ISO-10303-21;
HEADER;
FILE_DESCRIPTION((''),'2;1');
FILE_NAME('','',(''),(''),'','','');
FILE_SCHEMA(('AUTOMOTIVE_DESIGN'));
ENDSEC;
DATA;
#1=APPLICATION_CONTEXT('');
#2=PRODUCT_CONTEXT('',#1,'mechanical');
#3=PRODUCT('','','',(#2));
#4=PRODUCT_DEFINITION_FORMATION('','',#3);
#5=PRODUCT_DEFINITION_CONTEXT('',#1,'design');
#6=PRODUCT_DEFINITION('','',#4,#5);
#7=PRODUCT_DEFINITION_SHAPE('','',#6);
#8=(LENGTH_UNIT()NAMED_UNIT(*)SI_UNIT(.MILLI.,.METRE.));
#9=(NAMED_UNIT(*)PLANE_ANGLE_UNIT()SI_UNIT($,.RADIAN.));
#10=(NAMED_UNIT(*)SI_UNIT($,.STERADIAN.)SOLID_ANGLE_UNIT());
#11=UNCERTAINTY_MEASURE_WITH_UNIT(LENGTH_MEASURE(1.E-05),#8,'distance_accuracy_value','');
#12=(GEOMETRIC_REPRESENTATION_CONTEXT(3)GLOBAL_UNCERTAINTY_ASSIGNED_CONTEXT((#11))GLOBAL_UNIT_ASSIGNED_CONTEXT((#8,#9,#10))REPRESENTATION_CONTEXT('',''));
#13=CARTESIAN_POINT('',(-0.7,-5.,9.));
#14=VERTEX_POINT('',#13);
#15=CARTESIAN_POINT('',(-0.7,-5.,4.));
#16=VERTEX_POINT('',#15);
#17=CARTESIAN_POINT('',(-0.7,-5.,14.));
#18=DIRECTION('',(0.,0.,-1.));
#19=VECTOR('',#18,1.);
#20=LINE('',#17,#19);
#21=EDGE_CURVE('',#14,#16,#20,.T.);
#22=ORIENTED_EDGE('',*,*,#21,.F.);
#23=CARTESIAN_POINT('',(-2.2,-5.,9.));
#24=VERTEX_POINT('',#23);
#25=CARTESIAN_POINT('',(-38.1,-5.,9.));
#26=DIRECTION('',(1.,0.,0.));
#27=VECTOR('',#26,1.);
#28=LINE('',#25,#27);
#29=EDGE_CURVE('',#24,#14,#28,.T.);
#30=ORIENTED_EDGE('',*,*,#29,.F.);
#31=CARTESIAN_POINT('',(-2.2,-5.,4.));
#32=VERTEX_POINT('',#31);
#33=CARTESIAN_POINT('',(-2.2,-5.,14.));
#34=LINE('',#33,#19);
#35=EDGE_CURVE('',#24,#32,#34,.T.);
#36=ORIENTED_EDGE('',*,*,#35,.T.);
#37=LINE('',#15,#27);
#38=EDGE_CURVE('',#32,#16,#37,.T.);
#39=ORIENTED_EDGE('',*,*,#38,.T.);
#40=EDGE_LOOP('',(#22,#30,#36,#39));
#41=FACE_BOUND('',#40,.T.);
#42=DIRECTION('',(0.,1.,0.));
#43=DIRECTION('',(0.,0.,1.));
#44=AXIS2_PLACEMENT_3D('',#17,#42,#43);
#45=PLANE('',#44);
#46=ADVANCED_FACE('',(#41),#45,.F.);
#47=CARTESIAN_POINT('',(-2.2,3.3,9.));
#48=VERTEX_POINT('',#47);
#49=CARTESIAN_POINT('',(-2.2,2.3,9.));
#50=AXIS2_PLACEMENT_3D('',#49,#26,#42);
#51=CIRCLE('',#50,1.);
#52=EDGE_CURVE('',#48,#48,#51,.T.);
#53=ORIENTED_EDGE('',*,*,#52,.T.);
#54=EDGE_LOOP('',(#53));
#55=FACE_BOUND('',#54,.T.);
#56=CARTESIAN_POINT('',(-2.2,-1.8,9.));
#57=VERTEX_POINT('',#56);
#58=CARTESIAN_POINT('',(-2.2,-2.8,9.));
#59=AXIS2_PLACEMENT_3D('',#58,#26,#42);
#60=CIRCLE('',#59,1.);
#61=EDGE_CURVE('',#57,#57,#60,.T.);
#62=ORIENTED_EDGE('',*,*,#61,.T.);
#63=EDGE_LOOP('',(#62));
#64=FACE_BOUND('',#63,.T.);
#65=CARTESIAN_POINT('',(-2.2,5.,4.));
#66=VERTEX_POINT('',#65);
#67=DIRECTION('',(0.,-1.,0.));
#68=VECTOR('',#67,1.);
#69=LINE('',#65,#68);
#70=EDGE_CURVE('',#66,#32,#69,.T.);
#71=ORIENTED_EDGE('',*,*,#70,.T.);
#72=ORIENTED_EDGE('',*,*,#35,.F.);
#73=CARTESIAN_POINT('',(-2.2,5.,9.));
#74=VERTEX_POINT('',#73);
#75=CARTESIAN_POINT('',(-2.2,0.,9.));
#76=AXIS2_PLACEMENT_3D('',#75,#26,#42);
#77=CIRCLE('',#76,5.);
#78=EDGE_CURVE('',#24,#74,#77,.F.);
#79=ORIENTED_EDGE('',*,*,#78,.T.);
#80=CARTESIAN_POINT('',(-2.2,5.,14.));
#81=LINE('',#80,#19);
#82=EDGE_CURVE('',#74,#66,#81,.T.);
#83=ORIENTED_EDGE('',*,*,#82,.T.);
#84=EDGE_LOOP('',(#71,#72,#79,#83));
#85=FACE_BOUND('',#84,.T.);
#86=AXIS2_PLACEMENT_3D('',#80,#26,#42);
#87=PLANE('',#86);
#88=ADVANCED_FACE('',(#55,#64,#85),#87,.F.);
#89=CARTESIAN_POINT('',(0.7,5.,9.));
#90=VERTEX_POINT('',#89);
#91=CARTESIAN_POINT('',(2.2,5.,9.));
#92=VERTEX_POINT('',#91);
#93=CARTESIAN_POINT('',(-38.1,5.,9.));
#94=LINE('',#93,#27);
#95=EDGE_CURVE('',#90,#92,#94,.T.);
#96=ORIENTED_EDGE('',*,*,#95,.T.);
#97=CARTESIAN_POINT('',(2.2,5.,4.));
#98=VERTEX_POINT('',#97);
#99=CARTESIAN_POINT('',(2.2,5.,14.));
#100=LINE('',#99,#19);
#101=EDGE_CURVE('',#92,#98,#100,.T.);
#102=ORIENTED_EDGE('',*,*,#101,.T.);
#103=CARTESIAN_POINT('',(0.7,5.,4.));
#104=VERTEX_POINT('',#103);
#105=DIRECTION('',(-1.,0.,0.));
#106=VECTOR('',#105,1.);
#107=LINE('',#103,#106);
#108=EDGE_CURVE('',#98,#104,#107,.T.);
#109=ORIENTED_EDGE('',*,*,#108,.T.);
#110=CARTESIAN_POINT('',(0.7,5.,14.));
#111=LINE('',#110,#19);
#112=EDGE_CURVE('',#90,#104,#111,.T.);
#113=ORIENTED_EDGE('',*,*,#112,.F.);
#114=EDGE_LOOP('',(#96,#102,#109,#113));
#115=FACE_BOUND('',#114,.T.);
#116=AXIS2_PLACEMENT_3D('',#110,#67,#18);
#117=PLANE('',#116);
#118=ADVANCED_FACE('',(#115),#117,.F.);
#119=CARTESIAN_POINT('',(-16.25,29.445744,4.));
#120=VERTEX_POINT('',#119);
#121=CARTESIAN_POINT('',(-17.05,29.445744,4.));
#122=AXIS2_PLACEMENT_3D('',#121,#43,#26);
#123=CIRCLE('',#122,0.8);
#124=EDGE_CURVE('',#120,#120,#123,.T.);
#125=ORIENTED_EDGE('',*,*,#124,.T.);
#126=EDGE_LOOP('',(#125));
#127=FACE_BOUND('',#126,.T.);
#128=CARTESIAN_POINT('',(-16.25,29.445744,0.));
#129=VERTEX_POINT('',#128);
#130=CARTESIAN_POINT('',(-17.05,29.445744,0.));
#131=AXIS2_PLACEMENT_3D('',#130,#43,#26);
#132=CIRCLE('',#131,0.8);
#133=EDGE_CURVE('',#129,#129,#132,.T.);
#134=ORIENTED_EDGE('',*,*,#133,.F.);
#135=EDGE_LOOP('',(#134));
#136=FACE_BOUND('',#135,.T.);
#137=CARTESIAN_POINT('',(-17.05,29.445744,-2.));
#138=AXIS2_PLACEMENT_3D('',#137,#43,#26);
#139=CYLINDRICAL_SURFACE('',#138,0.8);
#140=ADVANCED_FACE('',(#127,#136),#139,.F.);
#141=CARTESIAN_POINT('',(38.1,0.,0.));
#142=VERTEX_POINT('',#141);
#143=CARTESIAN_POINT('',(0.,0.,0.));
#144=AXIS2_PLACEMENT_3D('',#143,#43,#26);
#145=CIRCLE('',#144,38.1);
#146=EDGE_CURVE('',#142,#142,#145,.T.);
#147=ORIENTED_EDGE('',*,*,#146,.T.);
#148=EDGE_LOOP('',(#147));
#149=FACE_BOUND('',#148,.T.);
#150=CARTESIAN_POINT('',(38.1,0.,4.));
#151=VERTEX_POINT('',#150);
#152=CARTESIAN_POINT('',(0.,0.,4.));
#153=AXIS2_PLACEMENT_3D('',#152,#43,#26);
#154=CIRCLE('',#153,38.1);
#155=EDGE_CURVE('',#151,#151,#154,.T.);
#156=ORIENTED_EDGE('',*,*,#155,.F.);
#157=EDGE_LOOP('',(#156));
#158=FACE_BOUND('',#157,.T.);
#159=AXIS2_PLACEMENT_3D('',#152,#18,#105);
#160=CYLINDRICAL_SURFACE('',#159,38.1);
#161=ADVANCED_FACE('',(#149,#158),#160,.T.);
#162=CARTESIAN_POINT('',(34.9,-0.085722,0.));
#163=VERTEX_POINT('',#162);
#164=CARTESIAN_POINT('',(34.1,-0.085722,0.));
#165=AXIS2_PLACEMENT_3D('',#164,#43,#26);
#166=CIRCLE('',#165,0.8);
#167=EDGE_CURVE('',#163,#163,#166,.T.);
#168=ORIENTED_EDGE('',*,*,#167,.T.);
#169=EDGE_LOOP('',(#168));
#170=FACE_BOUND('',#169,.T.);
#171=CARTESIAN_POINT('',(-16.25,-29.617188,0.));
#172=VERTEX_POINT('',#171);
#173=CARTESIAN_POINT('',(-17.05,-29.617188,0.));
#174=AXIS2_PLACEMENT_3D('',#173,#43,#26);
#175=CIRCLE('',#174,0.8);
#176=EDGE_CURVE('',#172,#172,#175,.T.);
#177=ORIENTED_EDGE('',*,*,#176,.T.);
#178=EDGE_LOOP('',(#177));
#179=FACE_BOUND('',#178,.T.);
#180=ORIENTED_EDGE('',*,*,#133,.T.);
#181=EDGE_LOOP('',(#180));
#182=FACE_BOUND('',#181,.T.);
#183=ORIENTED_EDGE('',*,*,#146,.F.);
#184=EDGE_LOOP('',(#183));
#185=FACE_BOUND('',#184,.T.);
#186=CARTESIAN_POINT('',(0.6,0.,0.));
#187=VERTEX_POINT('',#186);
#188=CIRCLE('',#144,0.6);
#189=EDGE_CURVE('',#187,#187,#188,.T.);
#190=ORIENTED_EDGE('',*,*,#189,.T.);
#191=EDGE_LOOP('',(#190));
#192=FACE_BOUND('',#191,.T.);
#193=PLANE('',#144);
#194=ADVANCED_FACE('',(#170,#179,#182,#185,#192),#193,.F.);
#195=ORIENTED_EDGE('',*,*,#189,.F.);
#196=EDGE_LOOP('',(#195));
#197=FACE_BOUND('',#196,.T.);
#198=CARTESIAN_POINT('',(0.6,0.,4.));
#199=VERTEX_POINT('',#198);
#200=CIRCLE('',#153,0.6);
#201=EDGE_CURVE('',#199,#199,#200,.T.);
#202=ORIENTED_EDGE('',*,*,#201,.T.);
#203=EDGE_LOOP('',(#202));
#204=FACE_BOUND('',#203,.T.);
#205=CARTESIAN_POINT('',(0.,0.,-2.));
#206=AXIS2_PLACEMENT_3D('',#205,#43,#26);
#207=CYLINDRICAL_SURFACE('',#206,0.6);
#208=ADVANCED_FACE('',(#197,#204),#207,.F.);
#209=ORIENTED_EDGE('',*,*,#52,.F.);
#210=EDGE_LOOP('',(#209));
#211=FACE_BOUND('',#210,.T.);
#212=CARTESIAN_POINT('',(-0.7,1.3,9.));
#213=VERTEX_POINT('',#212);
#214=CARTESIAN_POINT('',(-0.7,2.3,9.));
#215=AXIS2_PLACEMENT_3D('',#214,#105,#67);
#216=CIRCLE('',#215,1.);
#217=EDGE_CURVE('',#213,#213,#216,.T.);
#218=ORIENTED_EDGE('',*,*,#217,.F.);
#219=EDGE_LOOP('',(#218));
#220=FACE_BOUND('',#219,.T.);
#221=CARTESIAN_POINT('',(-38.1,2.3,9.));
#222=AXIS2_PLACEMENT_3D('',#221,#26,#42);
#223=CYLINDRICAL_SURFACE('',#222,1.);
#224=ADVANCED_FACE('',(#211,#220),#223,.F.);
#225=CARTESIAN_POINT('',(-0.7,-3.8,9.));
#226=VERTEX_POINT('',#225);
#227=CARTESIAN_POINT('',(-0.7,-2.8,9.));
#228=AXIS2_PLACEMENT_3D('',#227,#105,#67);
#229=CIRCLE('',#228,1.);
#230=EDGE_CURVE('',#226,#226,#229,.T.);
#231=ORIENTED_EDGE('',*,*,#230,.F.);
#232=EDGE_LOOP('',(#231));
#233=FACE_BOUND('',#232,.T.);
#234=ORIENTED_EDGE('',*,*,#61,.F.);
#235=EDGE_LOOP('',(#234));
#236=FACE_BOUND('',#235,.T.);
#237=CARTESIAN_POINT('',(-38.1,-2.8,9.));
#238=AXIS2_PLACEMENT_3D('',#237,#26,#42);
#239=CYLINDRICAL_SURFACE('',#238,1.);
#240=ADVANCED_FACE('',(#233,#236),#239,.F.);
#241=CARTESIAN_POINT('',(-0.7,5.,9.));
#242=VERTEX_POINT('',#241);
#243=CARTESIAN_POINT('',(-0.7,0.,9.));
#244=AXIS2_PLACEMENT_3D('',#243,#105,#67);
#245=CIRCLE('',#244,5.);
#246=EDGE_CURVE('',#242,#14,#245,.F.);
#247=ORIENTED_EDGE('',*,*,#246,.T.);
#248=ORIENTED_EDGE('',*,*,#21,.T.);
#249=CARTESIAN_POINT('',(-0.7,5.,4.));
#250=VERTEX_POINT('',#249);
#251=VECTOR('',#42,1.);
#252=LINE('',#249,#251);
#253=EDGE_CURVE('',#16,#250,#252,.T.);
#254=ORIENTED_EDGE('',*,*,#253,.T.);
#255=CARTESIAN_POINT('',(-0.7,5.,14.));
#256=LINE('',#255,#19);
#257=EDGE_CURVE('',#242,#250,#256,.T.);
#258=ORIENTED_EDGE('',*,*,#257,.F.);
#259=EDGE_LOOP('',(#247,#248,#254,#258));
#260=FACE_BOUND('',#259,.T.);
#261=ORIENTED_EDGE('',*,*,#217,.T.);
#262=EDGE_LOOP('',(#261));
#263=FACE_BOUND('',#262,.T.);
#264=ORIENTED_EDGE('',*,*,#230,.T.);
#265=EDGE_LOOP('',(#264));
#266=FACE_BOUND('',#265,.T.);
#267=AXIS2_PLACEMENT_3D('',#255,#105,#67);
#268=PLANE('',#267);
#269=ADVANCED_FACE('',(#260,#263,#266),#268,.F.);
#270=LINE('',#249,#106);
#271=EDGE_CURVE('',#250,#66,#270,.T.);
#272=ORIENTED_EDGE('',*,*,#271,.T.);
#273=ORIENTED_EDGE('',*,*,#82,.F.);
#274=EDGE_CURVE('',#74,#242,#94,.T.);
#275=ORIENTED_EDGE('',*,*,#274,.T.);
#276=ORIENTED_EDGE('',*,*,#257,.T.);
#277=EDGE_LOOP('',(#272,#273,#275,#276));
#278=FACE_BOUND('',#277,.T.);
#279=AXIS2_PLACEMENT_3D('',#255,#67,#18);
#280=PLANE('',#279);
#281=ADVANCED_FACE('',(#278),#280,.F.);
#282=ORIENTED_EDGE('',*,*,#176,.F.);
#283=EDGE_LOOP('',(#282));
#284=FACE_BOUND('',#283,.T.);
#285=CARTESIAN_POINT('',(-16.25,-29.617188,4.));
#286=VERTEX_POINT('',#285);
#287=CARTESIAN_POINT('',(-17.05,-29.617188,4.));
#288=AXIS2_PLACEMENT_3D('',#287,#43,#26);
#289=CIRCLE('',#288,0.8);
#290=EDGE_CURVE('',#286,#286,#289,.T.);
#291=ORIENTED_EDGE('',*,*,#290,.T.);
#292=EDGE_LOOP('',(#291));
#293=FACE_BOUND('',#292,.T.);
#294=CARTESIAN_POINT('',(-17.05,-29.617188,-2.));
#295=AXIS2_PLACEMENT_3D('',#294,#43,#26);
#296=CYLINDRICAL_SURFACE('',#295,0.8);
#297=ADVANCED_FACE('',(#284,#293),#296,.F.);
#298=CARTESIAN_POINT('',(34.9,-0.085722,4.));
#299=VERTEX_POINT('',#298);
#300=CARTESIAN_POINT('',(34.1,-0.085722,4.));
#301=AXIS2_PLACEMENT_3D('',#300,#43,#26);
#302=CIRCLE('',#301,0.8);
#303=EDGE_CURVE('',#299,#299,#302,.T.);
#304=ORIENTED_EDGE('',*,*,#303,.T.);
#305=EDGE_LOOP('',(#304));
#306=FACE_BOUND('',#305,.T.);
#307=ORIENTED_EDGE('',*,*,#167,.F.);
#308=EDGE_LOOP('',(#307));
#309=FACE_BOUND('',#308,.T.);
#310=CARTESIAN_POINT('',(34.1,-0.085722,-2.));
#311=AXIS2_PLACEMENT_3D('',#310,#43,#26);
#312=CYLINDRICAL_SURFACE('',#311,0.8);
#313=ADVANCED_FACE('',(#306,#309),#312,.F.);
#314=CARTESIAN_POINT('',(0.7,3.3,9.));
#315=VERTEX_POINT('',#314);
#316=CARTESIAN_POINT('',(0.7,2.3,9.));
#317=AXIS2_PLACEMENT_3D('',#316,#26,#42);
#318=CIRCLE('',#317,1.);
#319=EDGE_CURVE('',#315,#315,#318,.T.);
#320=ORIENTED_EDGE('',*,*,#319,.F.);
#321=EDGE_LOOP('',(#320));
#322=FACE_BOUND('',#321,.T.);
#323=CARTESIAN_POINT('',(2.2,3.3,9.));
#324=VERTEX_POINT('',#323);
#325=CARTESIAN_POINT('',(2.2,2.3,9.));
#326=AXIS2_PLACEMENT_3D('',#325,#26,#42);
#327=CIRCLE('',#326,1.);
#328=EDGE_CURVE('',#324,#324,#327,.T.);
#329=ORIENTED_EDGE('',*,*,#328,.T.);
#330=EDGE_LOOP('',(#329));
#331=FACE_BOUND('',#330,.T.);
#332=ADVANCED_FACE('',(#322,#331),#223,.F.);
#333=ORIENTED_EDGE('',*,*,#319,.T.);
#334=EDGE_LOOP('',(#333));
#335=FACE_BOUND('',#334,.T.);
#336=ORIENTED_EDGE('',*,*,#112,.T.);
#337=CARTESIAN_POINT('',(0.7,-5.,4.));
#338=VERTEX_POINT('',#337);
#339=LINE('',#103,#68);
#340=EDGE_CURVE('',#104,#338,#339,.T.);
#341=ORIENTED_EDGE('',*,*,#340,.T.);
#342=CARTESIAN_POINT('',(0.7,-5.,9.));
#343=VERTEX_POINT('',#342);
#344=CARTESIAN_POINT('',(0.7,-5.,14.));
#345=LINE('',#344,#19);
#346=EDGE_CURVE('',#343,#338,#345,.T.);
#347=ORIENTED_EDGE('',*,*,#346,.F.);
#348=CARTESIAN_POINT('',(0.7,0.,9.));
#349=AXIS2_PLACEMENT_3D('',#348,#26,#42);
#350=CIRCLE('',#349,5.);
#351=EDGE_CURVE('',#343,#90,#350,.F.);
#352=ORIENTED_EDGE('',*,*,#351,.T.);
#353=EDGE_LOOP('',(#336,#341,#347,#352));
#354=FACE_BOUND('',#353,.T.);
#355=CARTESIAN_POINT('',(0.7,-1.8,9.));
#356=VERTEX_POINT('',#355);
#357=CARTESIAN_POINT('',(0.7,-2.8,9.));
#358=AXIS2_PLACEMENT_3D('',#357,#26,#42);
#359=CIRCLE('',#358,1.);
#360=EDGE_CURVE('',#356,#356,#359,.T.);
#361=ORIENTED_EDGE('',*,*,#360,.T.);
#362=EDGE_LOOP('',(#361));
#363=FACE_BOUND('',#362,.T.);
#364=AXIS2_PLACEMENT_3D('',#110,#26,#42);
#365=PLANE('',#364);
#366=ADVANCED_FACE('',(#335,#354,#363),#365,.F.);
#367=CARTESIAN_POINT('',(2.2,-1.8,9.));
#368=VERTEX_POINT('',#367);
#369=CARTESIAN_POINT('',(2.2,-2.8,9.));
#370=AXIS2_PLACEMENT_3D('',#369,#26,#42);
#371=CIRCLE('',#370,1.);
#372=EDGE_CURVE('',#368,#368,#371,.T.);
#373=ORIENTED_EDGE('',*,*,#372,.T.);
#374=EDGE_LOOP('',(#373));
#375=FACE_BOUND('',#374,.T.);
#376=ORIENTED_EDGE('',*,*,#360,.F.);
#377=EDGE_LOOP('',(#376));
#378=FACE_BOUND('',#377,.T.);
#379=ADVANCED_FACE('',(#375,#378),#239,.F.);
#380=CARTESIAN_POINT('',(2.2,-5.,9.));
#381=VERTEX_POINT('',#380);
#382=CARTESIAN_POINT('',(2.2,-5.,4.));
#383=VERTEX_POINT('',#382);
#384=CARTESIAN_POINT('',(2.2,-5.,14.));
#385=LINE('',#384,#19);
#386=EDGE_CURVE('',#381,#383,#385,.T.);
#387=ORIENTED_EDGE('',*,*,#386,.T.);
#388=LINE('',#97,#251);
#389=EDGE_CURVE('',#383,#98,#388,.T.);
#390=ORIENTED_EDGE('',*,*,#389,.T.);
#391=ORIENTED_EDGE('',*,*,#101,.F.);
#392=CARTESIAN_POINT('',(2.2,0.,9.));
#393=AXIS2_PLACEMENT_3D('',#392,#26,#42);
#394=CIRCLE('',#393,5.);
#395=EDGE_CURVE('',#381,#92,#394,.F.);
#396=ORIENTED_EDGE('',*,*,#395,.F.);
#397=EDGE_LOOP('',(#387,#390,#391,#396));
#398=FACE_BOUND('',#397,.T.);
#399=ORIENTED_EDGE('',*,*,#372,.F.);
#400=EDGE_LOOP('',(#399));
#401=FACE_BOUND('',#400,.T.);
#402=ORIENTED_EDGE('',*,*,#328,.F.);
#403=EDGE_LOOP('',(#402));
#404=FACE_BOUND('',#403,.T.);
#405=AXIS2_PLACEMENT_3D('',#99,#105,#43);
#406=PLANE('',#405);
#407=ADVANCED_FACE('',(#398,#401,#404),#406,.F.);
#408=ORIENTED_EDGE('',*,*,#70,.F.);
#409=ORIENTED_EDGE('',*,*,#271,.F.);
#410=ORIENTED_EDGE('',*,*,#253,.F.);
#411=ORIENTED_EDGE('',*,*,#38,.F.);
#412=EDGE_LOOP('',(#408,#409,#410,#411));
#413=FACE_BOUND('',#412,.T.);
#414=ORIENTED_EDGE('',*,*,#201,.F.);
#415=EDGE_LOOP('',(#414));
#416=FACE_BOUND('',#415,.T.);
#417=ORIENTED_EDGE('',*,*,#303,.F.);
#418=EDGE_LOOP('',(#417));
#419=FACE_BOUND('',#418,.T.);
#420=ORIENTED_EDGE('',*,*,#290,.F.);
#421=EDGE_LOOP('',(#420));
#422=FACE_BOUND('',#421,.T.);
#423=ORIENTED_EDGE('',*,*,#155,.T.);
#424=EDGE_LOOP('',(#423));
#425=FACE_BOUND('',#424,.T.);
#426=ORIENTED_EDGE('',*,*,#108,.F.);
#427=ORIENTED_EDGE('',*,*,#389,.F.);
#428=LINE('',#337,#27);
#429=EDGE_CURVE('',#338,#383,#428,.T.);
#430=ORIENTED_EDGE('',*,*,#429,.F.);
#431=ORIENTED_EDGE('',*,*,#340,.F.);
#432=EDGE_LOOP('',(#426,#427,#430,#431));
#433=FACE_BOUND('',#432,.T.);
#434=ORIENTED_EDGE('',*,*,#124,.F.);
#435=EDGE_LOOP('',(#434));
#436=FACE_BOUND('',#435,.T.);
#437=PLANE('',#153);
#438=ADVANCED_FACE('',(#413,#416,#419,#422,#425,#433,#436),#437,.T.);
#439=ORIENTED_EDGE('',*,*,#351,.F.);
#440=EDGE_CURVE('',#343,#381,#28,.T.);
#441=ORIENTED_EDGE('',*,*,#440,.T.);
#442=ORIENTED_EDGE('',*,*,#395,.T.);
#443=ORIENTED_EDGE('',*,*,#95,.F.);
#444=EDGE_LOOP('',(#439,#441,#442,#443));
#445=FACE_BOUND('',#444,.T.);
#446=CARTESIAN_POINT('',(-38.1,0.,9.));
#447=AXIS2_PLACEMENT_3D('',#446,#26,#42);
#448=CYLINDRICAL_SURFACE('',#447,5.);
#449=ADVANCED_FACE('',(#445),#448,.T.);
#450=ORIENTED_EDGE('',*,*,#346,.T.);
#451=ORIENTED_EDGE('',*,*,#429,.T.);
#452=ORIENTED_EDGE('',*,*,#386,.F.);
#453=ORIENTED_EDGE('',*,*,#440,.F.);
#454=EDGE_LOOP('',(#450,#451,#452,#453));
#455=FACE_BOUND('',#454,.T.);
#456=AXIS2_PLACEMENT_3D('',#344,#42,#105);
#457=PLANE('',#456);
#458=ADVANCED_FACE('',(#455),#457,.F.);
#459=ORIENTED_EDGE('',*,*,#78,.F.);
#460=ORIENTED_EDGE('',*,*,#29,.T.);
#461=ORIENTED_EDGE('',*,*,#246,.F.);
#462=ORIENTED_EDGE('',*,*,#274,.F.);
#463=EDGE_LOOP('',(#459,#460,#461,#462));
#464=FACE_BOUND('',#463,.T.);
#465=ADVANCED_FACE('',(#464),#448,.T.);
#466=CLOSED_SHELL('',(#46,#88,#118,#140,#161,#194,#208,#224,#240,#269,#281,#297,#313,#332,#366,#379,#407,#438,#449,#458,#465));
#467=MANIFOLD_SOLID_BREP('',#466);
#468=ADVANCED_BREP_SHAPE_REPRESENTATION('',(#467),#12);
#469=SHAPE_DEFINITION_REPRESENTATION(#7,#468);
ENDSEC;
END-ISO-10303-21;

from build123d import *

# Parameters (mm, degrees)
SKETCH2_R           = 38.1
BOSS_EXTRUDE1_DEPTH = 4
SKETCH3_R           = 0.8
CUT_EXTRUDE1_DEPTH  = 6
SKETCH4_R           = 0.6
CUT_EXTRUDE2_DEPTH  = 6
SKETCH5_W           = 1.5
SKETCH5_H           = 10
BOSS_EXTRUDE2_DEPTH = 10
CUT_EXTRUDE3_DEPTH  = 58.198776211
SKETCH7_R           = 1
CUT_EXTRUDE4_DEPTH  = 58.198776211


with BuildPart() as part:
    # Sketch2 → Boss-Extrude1 (new body)
    with BuildSketch(Plane.XY):
        Circle(SKETCH2_R)
    extrude(amount=BOSS_EXTRUDE1_DEPTH)

    # Sketch3 → Cut-Extrude1 (cut)
    with BuildSketch(Plane.XY.offset(4)):
        with Locations((34.1, -0.085721815)):
            Circle(SKETCH3_R)
        with Locations((-17.05, -29.617188084)):
            Circle(SKETCH3_R)
        with Locations((-17.05, 29.445744454)):
            Circle(SKETCH3_R)
    extrude(amount=-CUT_EXTRUDE1_DEPTH, mode=Mode.SUBTRACT)

    # Sketch4 → Cut-Extrude2 (cut)
    with BuildSketch(Plane.XY.offset(4)):
        Circle(SKETCH4_R)
    extrude(amount=-CUT_EXTRUDE2_DEPTH, mode=Mode.SUBTRACT)

    # Sketch5 → Boss-Extrude2 (add)
    with BuildSketch(Plane.XY.offset(4)):
        with Locations((1.45, 0)):
            Rectangle(SKETCH5_W, SKETCH5_H)
        with Locations((-1.45, 0)):
            Rectangle(SKETCH5_W, SKETCH5_H)
    extrude(amount=BOSS_EXTRUDE2_DEPTH)

    # Sketch6 → Cut-Extrude3 (cut, through all)
    with BuildSketch(Plane(origin=(2.2, 0, 0), x_dir=(0, 0, -1), z_dir=(1, 0, 0))):
        with BuildLine():
            ThreePointArc((-14, 0), (-12.535533906, 3.535533906), (-9, 5))
            Line((-9, 5), (-14, 5))
            Line((-14, 5), (-14, 0))
        make_face()
        with BuildLine():
            ThreePointArc((-9, -5), (-12.535533906, -3.535533906), (-14, 0))
            Line((-14, 0), (-14, -5))
            Line((-14, -5), (-9, -5))
        make_face()
    extrude(amount=-CUT_EXTRUDE3_DEPTH, mode=Mode.SUBTRACT)

    # Sketch7 → Cut-Extrude4 (cut, through all)
    with BuildSketch(Plane(origin=(2.2, 0, 0), x_dir=(0, 0, -1), z_dir=(1, 0, 0))):
        with Locations(Location((-9, 2.3, 0), (0, 0, 90))):
            Circle(SKETCH7_R)
        with Locations(Location((-9, -2.8, 0), (0, 0, 90))):
            Circle(SKETCH7_R)
    extrude(amount=-CUT_EXTRUDE4_DEPTH, mode=Mode.SUBTRACT)


solid = part.part
